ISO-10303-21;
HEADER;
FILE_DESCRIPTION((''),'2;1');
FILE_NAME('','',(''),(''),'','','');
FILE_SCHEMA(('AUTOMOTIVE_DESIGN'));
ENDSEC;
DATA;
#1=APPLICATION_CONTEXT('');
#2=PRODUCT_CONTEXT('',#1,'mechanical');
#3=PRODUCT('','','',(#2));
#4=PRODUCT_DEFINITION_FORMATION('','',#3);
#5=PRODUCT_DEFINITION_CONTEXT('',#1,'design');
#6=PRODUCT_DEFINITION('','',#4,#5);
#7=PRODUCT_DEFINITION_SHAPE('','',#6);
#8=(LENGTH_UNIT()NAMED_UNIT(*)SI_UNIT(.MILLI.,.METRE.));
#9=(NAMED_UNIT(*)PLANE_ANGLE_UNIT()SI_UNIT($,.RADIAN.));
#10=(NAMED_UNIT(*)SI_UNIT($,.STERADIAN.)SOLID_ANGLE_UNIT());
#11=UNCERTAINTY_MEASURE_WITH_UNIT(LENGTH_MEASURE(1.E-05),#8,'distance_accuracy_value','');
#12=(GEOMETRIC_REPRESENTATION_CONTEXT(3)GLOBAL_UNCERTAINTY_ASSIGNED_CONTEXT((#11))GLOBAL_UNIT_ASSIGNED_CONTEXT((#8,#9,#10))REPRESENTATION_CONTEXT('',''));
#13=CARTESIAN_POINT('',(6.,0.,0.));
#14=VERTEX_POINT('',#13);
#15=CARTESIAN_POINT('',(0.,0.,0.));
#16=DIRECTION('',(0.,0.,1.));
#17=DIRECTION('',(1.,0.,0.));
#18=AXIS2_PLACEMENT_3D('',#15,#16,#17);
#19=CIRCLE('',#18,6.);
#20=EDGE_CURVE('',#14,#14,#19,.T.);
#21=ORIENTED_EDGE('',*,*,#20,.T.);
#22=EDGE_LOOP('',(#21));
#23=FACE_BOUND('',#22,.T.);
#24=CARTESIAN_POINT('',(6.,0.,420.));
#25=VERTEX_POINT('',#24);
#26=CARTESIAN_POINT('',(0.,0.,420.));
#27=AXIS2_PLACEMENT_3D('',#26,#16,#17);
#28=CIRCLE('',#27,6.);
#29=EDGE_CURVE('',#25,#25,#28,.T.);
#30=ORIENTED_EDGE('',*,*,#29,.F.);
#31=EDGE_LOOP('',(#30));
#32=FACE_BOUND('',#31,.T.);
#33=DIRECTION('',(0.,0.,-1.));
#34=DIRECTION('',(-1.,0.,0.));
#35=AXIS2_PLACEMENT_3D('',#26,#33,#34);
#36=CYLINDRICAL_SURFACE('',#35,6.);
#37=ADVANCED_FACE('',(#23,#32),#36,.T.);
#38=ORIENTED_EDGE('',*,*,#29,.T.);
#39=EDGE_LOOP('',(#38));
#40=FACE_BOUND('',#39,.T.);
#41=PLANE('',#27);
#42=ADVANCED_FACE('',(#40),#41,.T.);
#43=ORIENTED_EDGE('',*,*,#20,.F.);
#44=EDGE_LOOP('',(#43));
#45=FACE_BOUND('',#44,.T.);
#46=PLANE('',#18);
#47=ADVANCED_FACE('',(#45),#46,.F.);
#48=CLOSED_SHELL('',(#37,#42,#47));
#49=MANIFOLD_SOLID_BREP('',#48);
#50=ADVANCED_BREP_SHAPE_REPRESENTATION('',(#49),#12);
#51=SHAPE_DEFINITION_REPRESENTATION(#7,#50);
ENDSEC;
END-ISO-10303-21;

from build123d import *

# Parameters (mm, degrees)
ESBO_O1_R                = 6
RESSALTO_EXTRUS_O1_DEPTH = 420


with BuildPart() as part:
    # Esboço1 → Ressalto-extrusão1 (new body)
    with BuildSketch(Plane.XY):
        Circle(ESBO_O1_R)
    extrude(amount=RESSALTO_EXTRUS_O1_DEPTH)


solid = part.part
